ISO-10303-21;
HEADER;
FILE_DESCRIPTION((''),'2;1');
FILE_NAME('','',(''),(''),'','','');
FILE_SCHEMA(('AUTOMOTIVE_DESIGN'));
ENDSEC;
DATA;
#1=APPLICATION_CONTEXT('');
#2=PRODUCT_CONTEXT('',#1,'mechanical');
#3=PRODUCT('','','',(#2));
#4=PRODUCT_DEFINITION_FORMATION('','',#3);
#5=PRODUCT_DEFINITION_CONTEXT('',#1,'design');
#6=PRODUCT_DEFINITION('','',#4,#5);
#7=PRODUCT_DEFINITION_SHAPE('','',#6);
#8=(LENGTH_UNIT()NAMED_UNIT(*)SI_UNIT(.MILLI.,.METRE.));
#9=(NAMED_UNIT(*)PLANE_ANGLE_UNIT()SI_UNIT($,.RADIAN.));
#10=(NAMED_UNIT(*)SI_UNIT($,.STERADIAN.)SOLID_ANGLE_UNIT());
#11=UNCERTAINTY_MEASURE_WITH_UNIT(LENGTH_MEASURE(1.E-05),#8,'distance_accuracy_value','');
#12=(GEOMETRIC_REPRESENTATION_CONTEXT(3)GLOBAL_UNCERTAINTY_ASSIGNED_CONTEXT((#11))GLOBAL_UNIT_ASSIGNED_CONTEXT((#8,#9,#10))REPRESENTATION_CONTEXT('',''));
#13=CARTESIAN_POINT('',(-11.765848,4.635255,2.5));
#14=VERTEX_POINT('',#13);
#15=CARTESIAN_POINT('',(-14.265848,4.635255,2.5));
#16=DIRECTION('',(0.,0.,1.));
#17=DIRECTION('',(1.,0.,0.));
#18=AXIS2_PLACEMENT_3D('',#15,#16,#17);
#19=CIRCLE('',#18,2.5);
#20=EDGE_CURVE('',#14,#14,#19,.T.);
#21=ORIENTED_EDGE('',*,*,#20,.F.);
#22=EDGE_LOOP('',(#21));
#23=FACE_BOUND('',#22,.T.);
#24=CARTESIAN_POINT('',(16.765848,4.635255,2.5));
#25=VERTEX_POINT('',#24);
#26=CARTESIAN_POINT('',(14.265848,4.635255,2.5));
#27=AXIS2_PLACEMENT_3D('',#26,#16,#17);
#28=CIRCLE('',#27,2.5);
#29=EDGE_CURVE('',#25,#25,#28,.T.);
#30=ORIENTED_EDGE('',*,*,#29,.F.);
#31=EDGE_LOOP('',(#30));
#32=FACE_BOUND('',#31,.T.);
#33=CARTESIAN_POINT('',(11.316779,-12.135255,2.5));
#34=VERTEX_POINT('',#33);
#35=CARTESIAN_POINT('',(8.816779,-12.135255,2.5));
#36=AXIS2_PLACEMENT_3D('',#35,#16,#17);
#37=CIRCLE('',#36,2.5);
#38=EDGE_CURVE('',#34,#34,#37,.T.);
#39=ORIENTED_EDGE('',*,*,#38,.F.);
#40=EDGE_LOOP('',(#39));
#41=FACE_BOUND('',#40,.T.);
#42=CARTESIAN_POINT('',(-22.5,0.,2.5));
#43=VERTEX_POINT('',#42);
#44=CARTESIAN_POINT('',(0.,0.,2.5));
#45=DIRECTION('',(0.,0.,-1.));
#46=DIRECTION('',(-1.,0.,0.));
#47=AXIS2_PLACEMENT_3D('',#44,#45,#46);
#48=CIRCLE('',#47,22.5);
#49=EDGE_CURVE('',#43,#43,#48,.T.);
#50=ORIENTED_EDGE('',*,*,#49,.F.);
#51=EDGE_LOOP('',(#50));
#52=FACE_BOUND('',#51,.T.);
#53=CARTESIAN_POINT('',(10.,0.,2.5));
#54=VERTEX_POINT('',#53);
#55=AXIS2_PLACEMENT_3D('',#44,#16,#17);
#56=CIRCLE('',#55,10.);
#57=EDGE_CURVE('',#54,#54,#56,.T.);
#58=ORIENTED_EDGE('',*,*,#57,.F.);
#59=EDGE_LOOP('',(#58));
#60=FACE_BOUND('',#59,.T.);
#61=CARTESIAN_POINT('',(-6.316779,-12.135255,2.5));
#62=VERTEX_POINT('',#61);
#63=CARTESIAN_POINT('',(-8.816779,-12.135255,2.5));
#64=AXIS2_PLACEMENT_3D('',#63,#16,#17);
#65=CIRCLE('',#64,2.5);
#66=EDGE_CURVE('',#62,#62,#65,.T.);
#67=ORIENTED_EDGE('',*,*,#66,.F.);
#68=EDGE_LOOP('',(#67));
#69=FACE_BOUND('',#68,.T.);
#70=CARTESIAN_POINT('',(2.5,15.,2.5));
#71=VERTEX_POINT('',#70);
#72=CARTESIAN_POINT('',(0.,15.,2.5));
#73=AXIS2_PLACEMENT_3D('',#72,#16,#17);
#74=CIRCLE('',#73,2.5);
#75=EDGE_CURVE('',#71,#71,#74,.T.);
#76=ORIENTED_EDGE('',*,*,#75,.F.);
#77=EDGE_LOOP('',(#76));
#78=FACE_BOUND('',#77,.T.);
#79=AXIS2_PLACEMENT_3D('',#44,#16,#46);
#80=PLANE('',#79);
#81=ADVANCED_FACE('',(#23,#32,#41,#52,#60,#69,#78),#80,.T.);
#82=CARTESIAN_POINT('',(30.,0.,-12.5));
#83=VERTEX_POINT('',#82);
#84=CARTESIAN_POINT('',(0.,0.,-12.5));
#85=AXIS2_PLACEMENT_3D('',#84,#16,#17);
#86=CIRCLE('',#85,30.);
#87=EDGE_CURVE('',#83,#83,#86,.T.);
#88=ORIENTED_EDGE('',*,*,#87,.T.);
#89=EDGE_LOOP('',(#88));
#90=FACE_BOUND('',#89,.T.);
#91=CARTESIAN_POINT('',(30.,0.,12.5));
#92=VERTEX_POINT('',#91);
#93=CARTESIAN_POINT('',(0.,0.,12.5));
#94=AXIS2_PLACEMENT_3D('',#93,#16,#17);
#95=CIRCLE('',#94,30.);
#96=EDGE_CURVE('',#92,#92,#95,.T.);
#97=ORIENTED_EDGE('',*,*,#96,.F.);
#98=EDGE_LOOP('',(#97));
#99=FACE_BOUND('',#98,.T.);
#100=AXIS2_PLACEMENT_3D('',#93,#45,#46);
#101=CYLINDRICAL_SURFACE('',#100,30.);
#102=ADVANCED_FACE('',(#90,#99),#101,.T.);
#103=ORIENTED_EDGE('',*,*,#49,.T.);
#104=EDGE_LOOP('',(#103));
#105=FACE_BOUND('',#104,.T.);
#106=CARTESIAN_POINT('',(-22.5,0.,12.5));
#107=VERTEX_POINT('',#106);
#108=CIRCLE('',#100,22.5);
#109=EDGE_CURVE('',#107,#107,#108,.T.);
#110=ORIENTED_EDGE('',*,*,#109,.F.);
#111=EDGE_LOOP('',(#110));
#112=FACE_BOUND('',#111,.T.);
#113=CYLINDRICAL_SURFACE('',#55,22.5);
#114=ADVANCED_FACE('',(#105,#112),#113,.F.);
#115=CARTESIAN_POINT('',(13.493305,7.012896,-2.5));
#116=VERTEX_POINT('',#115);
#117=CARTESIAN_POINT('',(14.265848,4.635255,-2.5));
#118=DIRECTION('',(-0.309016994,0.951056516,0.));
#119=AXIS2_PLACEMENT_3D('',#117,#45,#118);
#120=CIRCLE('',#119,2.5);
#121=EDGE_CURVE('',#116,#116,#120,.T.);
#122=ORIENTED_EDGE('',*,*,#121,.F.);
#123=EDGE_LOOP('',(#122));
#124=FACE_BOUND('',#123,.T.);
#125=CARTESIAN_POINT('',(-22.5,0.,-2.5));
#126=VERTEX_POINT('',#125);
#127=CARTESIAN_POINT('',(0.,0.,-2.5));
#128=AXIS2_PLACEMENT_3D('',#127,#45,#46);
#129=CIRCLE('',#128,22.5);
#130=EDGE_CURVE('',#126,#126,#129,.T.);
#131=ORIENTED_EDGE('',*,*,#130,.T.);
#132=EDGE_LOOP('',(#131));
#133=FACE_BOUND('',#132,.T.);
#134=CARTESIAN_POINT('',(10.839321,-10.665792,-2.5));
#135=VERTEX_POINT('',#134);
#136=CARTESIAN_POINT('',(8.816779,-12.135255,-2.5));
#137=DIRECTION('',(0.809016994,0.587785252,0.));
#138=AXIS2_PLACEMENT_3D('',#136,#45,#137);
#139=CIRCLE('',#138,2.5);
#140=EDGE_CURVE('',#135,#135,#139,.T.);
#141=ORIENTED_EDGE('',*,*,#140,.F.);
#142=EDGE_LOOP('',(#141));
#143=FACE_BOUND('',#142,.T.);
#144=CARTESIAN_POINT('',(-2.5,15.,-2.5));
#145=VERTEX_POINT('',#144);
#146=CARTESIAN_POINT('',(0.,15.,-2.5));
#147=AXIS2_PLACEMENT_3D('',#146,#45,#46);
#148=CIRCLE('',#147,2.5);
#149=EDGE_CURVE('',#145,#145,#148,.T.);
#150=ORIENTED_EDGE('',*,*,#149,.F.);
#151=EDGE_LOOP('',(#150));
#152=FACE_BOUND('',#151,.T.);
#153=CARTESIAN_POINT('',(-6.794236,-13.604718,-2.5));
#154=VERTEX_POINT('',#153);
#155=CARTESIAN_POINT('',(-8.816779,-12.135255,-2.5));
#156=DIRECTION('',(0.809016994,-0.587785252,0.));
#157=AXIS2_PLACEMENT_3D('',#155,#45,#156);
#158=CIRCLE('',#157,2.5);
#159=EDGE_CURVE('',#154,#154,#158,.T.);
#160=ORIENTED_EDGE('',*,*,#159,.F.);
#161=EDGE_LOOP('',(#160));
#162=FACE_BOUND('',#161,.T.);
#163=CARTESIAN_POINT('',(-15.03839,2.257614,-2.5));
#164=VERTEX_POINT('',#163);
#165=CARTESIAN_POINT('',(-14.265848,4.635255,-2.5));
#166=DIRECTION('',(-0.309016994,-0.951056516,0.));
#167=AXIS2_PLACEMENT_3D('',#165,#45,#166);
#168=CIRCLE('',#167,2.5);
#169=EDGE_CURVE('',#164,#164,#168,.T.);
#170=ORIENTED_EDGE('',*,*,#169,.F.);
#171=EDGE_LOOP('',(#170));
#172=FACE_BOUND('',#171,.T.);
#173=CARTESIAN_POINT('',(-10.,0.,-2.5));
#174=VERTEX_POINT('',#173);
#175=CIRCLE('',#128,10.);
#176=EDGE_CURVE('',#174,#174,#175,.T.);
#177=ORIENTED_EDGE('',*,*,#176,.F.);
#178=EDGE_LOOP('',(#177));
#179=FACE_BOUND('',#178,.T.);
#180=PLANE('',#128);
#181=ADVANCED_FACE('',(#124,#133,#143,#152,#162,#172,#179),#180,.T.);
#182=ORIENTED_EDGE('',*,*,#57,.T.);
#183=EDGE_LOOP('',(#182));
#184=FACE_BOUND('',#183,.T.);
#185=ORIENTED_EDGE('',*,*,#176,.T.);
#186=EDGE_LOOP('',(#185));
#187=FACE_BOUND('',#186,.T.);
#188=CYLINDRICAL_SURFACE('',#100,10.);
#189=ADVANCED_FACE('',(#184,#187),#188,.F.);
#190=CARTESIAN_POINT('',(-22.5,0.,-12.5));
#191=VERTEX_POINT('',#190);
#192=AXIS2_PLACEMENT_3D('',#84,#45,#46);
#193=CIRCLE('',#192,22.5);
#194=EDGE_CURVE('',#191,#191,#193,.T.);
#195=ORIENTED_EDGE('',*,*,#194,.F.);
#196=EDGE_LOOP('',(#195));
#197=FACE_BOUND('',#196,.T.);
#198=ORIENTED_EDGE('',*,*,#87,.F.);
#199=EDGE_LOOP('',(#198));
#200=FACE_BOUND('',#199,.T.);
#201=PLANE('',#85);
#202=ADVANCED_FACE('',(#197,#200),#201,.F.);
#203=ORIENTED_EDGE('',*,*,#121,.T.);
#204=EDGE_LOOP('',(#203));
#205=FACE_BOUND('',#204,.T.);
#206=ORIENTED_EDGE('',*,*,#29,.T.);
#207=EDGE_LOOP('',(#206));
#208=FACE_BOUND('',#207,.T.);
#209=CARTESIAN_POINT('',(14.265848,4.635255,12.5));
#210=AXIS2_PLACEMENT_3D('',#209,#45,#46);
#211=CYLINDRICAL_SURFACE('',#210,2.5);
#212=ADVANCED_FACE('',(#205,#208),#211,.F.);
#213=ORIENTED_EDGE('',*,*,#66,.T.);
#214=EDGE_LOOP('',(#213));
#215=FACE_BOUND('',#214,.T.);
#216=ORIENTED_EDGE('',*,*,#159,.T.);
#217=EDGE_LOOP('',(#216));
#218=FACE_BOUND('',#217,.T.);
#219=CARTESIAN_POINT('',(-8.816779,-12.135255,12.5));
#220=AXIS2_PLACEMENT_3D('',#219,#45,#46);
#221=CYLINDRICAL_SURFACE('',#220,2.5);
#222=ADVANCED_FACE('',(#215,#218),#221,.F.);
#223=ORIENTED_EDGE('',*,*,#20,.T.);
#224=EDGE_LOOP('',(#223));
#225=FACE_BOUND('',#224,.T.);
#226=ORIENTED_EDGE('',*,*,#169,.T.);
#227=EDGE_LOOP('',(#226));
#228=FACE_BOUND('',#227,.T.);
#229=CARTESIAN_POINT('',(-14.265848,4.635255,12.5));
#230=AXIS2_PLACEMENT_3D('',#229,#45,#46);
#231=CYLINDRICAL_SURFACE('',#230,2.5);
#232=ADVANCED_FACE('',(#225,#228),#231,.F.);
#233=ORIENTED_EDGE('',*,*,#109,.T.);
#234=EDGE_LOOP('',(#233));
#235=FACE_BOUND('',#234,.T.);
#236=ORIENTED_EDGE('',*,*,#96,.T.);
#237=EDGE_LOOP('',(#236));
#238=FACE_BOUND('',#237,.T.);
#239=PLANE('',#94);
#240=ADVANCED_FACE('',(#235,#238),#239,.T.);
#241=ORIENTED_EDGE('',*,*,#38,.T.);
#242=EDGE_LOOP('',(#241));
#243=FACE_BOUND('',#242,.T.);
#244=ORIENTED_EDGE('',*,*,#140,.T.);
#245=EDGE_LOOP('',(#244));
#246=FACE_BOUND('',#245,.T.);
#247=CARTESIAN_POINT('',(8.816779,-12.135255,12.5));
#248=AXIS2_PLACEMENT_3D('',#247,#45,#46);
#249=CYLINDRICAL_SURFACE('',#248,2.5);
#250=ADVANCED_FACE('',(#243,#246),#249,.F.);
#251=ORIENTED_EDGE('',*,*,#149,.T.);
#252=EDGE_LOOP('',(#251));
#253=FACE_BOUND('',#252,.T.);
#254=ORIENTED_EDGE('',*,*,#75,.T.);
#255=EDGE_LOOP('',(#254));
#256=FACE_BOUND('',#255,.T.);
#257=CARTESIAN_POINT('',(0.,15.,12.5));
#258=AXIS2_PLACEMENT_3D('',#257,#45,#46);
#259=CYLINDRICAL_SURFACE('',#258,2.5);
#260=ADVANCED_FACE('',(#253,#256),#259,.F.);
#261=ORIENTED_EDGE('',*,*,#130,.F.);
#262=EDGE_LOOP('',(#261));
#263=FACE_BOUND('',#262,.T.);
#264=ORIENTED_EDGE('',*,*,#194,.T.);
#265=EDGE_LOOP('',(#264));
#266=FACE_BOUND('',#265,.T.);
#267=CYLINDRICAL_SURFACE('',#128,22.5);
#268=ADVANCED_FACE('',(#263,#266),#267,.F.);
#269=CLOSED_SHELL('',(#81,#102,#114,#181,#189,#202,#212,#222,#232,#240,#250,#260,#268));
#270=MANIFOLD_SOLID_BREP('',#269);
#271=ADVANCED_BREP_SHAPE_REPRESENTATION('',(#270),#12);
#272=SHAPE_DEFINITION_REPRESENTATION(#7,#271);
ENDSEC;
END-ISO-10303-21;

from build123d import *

# Parameters (mm, degrees)
SKETCH1_R           = 30
SKETCH1_R_2         = 10
BOSS_EXTRUDE1_DEPTH = 12.5
SKETCH2_R           = 22.5
CUT_EXTRUDE1_DEPTH  = 10
SKETCH3_R           = 2.5
CUT_EXTRUDE2_DEPTH  = 16
CIRPATTERN3_COUNT   = 5
CIRPATTERN2_COUNT   = 5


with BuildPart() as part:
    # Sketch1 → Boss-Extrude1 (new body, symmetric)
    with BuildSketch(Plane.XY):
        Circle(SKETCH1_R)
        Circle(SKETCH1_R_2, mode=Mode.SUBTRACT)
    extrude(amount=BOSS_EXTRUDE1_DEPTH, both=True)

    # Sketch2 → Cut-Extrude1 (cut)
    with BuildSketch(Plane(origin=(0, 0, -12.5), x_dir=(-1, 0, 0), z_dir=(0, 0, -1))):
        Circle(SKETCH2_R)
    cut_extrude1 = extrude(amount=-CUT_EXTRUDE1_DEPTH, mode=Mode.SUBTRACT)

    # Mirror1: Cut-Extrude1 across plane
    add(cut_extrude1.mirror(Plane.XY), mode=Mode.SUBTRACT)

    # Sketch3 → Cut-Extrude2 (cut, through all)
    with BuildSketch(Plane(origin=(0, 0, -2.5), x_dir=(-1, 0, 0), z_dir=(0, 0, -1))):
        with Locations((0, 15)):
            Circle(SKETCH3_R)
    cut_extrude2 = extrude(amount=-CUT_EXTRUDE2_DEPTH, mode=Mode.SUBTRACT)

    # CirPattern3: Cut-Extrude2 ×5 about axis
    cirpattern3_axis = Axis((0, 0, 0), (0, 0, 1))
    for i in range(1, CIRPATTERN3_COUNT):
        add(cut_extrude2.rotate(cirpattern3_axis, i * 360 / CIRPATTERN3_COUNT), mode=Mode.SUBTRACT)

    # CirPattern2: part ×5 about axis
    cirpattern2_axis = Axis((0, 0, 0), (0, 0, 1))


with BuildPart() as part_1:
    add(part.part)
    for i in range(1, CIRPATTERN2_COUNT):
        add(part.part.rotate(cirpattern2_axis, i * 360 / CIRPATTERN2_COUNT))


solid = part_1.part
